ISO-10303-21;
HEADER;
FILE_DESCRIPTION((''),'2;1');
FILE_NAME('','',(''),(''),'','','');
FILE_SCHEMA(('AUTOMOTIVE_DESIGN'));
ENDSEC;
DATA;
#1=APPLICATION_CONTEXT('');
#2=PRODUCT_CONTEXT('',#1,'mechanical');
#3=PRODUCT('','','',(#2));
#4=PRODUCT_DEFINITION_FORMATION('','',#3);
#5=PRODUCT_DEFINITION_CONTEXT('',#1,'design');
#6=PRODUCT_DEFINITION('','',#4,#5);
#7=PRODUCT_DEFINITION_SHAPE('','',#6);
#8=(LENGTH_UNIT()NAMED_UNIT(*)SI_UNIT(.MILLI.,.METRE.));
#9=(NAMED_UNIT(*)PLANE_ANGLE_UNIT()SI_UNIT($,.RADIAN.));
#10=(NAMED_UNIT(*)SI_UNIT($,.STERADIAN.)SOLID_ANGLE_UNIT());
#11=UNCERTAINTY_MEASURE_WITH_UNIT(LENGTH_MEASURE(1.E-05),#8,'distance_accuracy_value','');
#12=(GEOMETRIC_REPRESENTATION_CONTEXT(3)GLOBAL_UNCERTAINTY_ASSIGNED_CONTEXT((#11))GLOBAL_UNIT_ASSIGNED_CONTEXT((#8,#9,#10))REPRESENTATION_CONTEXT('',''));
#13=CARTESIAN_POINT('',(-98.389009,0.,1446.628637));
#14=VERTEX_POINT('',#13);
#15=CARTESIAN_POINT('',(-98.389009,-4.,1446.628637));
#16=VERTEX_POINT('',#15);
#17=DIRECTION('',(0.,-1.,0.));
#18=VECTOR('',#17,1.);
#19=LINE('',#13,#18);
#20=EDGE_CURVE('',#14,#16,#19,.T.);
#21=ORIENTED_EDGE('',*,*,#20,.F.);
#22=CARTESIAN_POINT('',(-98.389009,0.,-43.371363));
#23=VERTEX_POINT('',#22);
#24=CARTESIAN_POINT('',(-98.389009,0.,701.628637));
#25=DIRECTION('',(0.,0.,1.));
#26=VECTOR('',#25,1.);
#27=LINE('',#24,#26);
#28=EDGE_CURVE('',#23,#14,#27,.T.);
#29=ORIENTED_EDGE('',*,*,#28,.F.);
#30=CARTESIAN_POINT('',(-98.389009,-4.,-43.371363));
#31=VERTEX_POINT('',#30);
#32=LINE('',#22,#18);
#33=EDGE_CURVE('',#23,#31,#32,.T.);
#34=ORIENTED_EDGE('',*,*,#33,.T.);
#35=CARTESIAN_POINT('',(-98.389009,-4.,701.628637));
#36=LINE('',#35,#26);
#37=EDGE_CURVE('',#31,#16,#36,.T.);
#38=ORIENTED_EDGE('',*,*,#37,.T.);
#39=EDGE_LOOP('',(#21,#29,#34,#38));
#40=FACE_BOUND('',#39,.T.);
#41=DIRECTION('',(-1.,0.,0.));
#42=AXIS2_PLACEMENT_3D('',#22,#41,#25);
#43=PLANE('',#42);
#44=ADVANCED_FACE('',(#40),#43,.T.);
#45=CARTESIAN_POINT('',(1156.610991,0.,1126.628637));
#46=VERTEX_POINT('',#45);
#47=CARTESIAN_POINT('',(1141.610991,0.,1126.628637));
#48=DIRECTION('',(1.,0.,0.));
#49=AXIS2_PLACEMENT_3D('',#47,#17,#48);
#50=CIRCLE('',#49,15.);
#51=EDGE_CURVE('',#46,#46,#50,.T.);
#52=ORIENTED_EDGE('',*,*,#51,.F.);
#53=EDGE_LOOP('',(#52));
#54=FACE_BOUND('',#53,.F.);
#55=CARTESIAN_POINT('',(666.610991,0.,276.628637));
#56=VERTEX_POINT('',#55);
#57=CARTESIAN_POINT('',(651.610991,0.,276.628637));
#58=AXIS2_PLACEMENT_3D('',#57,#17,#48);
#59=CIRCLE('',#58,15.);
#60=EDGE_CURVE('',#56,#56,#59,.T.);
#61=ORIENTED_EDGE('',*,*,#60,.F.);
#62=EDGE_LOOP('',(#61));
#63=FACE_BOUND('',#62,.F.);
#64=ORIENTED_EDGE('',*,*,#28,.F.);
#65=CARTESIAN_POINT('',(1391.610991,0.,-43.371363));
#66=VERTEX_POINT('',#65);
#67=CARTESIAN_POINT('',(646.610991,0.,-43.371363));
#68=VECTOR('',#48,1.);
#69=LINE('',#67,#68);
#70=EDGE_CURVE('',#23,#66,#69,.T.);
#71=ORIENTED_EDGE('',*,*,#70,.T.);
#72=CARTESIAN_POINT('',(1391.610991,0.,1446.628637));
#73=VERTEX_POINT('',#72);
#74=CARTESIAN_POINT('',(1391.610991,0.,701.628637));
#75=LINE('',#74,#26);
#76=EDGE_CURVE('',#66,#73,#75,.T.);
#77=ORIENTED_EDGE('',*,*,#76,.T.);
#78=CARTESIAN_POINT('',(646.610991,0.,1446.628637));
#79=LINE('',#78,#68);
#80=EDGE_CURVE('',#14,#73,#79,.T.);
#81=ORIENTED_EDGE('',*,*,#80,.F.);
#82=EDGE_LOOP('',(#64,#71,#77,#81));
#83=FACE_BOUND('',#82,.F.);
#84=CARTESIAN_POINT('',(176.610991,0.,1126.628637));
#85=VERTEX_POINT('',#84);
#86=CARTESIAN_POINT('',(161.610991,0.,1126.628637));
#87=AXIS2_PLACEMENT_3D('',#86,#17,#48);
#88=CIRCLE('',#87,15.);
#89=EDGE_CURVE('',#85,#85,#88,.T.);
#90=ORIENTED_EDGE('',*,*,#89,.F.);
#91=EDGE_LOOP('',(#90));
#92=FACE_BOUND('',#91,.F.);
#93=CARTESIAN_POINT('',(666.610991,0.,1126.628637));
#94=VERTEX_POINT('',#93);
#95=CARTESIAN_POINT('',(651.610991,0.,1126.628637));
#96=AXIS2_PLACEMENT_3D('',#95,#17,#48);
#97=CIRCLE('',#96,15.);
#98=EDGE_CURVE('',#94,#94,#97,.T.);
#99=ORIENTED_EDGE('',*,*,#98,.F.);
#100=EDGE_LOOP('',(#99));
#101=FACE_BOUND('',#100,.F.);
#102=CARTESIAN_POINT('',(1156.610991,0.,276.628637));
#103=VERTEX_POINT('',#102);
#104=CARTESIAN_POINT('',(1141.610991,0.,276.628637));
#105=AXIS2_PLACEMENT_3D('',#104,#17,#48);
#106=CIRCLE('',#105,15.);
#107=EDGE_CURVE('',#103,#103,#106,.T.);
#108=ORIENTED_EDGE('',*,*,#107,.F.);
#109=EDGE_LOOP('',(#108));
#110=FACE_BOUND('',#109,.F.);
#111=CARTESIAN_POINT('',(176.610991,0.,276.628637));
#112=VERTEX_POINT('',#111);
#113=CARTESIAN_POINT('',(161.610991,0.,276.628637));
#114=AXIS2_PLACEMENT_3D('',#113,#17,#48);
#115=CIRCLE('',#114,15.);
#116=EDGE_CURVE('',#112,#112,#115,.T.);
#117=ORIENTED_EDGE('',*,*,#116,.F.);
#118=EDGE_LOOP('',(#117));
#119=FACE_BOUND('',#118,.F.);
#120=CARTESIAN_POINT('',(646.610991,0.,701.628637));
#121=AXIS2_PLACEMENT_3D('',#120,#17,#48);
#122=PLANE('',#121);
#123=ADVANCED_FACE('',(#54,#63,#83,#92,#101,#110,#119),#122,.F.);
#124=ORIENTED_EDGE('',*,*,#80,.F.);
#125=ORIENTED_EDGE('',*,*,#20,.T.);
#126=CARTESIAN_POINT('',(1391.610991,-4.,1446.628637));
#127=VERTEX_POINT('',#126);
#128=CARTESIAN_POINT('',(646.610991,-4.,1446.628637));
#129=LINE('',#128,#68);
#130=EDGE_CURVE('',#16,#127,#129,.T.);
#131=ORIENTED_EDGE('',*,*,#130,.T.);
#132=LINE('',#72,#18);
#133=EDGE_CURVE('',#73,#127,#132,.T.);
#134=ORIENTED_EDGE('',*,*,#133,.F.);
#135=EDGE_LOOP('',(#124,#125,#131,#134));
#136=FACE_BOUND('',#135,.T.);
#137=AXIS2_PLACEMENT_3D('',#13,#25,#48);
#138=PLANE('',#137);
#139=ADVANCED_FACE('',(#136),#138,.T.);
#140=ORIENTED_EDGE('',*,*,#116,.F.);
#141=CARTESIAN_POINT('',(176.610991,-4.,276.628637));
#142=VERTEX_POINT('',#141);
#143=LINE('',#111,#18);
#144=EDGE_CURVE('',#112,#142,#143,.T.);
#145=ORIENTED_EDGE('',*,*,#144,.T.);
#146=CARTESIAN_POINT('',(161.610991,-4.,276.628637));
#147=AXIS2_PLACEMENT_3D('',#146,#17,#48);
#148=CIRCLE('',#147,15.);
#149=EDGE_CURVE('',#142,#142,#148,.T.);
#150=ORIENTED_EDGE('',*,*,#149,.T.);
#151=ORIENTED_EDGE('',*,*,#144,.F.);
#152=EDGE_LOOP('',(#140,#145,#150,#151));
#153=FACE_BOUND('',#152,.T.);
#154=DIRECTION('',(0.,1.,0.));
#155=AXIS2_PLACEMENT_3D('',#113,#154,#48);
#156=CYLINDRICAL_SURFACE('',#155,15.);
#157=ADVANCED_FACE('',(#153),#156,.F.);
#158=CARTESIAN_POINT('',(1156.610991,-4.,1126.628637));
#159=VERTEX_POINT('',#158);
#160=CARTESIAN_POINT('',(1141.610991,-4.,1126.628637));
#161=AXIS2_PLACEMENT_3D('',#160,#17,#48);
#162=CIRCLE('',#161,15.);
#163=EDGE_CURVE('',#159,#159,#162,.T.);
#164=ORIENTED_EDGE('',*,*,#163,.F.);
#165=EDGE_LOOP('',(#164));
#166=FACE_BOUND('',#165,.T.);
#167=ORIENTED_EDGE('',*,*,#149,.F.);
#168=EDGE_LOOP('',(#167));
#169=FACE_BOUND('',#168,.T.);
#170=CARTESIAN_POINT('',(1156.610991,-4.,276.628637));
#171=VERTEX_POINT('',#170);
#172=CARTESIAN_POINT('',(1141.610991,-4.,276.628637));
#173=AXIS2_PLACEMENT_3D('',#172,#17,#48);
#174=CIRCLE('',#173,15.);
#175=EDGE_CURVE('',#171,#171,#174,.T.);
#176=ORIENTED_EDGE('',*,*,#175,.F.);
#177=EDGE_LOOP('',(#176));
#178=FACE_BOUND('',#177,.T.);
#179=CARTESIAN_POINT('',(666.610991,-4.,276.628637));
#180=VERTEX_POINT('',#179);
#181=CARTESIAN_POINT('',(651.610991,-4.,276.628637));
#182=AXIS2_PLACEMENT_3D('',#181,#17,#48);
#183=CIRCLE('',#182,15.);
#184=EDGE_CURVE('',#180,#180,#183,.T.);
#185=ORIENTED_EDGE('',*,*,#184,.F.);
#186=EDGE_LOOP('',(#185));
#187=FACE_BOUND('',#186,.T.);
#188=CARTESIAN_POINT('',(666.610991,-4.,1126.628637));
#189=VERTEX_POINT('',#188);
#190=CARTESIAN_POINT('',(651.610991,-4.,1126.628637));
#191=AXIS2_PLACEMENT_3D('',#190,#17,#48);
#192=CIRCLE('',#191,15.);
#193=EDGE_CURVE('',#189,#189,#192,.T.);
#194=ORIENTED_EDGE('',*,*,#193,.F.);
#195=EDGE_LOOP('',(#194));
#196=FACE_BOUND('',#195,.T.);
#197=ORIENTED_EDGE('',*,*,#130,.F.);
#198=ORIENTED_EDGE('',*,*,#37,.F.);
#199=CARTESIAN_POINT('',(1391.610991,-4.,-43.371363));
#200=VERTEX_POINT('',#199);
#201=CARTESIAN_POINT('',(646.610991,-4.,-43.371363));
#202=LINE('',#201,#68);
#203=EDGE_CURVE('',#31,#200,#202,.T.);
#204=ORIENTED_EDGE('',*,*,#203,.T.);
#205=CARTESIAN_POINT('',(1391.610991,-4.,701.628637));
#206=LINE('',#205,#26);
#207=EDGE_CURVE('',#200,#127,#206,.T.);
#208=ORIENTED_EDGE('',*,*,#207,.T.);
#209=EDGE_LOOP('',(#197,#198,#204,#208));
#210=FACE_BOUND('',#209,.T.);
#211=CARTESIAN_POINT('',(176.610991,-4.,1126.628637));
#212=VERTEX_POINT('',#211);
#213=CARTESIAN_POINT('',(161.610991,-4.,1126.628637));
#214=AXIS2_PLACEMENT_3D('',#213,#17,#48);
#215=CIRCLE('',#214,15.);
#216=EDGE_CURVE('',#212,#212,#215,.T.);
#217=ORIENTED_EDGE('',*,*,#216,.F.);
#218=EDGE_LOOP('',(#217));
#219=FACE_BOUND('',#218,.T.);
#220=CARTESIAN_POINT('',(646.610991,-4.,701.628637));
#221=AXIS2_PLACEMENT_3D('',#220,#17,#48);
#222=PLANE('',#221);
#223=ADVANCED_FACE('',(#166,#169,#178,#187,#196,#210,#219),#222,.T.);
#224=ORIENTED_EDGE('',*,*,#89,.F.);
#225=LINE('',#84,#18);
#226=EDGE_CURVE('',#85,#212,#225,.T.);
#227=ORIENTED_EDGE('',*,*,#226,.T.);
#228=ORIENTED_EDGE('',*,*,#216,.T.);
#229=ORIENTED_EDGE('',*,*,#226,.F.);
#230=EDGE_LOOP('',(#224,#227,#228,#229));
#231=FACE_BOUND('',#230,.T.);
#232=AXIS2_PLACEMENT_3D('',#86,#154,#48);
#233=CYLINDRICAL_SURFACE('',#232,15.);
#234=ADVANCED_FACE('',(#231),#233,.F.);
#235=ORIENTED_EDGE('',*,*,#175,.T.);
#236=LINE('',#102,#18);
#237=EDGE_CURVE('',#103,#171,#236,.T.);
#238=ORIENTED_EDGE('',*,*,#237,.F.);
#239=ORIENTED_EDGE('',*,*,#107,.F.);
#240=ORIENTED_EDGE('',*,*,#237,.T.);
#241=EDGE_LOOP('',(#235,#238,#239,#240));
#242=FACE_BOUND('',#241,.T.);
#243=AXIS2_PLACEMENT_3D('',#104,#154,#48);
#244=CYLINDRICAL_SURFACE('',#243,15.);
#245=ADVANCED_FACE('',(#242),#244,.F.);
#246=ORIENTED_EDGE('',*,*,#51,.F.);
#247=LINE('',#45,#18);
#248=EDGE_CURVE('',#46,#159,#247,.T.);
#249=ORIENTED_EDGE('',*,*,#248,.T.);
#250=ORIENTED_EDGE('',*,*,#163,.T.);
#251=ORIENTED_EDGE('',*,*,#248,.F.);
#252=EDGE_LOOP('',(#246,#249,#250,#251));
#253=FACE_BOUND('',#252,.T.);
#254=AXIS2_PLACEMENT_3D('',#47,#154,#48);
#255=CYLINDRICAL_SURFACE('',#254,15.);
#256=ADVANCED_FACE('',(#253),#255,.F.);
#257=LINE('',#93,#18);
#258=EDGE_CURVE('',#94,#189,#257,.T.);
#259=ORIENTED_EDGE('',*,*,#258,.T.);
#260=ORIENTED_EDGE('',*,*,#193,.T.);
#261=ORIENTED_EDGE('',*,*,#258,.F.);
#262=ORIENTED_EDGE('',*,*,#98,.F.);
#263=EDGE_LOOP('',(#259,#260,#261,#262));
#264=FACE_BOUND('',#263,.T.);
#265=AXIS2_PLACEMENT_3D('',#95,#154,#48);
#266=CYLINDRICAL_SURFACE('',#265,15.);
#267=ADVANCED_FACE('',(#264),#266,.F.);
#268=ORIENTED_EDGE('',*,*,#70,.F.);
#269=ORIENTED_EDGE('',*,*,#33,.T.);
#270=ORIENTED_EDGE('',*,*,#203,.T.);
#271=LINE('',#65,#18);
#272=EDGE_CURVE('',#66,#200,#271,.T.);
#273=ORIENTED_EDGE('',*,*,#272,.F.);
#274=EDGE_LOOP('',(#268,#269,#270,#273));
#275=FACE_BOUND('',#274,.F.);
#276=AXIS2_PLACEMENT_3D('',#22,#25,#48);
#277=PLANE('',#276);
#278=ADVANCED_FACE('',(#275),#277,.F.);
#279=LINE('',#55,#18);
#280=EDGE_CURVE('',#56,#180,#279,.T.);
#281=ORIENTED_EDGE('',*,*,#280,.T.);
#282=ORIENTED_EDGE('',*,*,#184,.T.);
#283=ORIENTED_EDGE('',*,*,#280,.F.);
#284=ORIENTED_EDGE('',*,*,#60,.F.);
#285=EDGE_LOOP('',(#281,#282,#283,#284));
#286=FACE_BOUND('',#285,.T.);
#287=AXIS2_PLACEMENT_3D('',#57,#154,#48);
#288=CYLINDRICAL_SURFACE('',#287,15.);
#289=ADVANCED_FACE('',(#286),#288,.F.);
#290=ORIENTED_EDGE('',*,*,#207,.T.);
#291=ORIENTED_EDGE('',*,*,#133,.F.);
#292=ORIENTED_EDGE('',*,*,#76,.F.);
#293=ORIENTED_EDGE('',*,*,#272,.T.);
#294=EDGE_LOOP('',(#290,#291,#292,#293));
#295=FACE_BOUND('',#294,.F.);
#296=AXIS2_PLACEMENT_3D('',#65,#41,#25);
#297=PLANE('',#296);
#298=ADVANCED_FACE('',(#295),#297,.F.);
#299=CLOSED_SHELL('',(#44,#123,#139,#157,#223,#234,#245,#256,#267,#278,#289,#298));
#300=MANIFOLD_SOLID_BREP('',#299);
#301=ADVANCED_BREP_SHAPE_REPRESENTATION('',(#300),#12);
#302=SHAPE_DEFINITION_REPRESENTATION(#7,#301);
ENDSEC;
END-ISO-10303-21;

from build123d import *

# Parameters (mm, degrees)
F0_W     = 1490
F0_H     = 1490
F0_R     = 15
F1_DEPTH = 4


with BuildPart() as f1:
    # F0 (on Front) → F1 (new body)
    with BuildSketch(Plane.XZ):
        with Locations((646.610991, 701.628637)):
            Rectangle(F0_W, F0_H)
        with Locations((161.610991, 276.628637)):
            Circle(F0_R, mode=Mode.SUBTRACT)
        with Locations((651.610991, 276.628637)):
            Circle(F0_R, mode=Mode.SUBTRACT)
        with Locations((1141.610991, 276.628637)):
            Circle(F0_R, mode=Mode.SUBTRACT)
        with Locations((161.610991, 1126.628637)):
            Circle(F0_R, mode=Mode.SUBTRACT)
        with Locations((651.610991, 1126.628637)):
            Circle(F0_R, mode=Mode.SUBTRACT)
        with Locations((1141.610991, 1126.628637)):
            Circle(F0_R, mode=Mode.SUBTRACT)
    extrude(amount=F1_DEPTH)


solid = f1.part
